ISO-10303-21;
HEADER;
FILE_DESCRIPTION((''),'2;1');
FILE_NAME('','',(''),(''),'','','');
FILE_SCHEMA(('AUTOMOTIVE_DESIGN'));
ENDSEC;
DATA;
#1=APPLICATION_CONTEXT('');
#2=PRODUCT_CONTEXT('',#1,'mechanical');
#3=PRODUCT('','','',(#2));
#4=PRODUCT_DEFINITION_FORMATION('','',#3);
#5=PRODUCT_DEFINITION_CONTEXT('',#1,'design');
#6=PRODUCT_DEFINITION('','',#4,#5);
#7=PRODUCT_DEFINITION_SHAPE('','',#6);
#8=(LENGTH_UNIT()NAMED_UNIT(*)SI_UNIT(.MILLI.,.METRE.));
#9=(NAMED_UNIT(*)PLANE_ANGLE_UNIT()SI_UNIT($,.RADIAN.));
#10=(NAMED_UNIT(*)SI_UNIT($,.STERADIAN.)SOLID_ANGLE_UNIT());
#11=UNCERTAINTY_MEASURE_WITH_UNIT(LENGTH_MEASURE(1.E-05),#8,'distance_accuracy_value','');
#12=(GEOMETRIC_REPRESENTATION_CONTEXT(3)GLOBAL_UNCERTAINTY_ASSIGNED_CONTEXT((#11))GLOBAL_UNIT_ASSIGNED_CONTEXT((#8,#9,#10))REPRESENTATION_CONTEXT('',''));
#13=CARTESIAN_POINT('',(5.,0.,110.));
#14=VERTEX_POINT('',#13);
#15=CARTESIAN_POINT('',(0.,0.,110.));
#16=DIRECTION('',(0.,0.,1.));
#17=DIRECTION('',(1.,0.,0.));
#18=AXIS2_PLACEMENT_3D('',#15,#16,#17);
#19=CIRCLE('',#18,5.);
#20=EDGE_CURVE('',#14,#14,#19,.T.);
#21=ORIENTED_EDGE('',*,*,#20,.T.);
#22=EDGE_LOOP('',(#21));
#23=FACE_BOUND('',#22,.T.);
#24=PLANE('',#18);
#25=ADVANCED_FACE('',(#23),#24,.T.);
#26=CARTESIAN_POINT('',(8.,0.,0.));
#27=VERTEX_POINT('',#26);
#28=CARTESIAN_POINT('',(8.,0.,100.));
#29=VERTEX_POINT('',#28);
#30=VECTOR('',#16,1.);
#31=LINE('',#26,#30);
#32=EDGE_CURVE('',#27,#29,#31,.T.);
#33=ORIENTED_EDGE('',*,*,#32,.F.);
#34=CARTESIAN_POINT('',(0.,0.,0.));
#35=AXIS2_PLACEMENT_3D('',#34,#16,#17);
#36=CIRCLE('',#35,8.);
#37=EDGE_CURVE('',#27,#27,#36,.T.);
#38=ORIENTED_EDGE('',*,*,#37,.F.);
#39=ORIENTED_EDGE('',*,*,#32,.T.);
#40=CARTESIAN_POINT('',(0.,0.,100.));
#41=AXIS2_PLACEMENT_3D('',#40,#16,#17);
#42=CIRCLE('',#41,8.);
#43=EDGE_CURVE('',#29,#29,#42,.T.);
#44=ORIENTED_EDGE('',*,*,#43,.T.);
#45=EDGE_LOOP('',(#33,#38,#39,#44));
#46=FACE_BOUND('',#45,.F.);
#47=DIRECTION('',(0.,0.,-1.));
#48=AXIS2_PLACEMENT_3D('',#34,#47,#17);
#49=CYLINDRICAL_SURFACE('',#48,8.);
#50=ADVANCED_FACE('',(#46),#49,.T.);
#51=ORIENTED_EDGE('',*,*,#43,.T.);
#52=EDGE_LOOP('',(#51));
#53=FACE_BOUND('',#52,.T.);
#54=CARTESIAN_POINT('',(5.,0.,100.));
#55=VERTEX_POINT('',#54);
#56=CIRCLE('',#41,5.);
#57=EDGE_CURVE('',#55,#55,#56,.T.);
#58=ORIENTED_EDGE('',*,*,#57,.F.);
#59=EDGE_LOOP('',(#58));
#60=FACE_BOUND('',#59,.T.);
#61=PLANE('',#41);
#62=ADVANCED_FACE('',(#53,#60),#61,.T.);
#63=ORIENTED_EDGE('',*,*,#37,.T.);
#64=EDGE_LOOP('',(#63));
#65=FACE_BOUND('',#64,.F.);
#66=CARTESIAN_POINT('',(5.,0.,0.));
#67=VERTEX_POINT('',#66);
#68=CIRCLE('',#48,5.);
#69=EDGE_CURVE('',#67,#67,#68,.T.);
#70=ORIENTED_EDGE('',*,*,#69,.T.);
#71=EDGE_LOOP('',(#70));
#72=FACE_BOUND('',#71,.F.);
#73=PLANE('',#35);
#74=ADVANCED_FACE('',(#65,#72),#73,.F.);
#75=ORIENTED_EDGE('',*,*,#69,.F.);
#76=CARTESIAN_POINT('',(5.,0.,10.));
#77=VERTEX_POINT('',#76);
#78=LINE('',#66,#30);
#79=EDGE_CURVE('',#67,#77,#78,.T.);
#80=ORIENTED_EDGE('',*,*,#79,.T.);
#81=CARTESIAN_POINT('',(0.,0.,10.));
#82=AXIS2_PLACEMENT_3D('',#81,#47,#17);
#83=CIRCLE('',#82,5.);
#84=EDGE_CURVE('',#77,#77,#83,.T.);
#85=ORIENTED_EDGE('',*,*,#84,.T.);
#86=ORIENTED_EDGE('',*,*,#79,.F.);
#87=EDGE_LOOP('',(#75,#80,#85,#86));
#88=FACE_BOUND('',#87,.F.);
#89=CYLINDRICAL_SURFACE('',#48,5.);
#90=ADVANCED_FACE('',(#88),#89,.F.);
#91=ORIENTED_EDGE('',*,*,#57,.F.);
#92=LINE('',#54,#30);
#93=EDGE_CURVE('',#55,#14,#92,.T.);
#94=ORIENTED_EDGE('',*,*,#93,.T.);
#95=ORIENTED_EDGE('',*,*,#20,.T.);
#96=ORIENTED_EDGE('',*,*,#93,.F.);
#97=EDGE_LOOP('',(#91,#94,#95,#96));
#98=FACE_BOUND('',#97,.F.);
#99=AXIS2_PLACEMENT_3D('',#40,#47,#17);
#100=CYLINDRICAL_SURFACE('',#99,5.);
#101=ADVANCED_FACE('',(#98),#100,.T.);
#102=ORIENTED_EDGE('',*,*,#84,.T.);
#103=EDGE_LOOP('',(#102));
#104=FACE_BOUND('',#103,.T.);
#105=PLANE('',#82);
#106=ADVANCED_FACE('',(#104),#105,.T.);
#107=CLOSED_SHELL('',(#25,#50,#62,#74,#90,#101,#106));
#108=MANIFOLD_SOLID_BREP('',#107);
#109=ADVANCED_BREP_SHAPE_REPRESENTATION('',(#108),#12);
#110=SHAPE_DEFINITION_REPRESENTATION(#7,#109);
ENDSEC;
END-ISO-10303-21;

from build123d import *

# Parameters (mm, degrees)
SKETCH_R     = 8
PAD_DEPTH    = 100
SKETCH001_R  = 5
PAD001_DEPTH = 10
SKETCH002_R  = 5
POCKET_DEPTH = 10


with BuildPart() as part:
    # Sketch → Pad (new body)
    with BuildSketch(Plane.XY):
        Circle(SKETCH_R)
    extrude(amount=PAD_DEPTH)

    # Sketch001 (on Face3 of Pad) → Pad001 (join)
    with BuildSketch(Plane.XY.offset(100)):
        Circle(SKETCH001_R)
    extrude(amount=PAD001_DEPTH)

    # Sketch002 (on Face2 of Pad001) → Pocket (cut)
    with BuildSketch(Plane(origin=(0, 0, 0), x_dir=(1, 0, 0), z_dir=(0, 0, -1))):
        Circle(SKETCH002_R)
    extrude(amount=-POCKET_DEPTH, mode=Mode.SUBTRACT)


solid = part.part
